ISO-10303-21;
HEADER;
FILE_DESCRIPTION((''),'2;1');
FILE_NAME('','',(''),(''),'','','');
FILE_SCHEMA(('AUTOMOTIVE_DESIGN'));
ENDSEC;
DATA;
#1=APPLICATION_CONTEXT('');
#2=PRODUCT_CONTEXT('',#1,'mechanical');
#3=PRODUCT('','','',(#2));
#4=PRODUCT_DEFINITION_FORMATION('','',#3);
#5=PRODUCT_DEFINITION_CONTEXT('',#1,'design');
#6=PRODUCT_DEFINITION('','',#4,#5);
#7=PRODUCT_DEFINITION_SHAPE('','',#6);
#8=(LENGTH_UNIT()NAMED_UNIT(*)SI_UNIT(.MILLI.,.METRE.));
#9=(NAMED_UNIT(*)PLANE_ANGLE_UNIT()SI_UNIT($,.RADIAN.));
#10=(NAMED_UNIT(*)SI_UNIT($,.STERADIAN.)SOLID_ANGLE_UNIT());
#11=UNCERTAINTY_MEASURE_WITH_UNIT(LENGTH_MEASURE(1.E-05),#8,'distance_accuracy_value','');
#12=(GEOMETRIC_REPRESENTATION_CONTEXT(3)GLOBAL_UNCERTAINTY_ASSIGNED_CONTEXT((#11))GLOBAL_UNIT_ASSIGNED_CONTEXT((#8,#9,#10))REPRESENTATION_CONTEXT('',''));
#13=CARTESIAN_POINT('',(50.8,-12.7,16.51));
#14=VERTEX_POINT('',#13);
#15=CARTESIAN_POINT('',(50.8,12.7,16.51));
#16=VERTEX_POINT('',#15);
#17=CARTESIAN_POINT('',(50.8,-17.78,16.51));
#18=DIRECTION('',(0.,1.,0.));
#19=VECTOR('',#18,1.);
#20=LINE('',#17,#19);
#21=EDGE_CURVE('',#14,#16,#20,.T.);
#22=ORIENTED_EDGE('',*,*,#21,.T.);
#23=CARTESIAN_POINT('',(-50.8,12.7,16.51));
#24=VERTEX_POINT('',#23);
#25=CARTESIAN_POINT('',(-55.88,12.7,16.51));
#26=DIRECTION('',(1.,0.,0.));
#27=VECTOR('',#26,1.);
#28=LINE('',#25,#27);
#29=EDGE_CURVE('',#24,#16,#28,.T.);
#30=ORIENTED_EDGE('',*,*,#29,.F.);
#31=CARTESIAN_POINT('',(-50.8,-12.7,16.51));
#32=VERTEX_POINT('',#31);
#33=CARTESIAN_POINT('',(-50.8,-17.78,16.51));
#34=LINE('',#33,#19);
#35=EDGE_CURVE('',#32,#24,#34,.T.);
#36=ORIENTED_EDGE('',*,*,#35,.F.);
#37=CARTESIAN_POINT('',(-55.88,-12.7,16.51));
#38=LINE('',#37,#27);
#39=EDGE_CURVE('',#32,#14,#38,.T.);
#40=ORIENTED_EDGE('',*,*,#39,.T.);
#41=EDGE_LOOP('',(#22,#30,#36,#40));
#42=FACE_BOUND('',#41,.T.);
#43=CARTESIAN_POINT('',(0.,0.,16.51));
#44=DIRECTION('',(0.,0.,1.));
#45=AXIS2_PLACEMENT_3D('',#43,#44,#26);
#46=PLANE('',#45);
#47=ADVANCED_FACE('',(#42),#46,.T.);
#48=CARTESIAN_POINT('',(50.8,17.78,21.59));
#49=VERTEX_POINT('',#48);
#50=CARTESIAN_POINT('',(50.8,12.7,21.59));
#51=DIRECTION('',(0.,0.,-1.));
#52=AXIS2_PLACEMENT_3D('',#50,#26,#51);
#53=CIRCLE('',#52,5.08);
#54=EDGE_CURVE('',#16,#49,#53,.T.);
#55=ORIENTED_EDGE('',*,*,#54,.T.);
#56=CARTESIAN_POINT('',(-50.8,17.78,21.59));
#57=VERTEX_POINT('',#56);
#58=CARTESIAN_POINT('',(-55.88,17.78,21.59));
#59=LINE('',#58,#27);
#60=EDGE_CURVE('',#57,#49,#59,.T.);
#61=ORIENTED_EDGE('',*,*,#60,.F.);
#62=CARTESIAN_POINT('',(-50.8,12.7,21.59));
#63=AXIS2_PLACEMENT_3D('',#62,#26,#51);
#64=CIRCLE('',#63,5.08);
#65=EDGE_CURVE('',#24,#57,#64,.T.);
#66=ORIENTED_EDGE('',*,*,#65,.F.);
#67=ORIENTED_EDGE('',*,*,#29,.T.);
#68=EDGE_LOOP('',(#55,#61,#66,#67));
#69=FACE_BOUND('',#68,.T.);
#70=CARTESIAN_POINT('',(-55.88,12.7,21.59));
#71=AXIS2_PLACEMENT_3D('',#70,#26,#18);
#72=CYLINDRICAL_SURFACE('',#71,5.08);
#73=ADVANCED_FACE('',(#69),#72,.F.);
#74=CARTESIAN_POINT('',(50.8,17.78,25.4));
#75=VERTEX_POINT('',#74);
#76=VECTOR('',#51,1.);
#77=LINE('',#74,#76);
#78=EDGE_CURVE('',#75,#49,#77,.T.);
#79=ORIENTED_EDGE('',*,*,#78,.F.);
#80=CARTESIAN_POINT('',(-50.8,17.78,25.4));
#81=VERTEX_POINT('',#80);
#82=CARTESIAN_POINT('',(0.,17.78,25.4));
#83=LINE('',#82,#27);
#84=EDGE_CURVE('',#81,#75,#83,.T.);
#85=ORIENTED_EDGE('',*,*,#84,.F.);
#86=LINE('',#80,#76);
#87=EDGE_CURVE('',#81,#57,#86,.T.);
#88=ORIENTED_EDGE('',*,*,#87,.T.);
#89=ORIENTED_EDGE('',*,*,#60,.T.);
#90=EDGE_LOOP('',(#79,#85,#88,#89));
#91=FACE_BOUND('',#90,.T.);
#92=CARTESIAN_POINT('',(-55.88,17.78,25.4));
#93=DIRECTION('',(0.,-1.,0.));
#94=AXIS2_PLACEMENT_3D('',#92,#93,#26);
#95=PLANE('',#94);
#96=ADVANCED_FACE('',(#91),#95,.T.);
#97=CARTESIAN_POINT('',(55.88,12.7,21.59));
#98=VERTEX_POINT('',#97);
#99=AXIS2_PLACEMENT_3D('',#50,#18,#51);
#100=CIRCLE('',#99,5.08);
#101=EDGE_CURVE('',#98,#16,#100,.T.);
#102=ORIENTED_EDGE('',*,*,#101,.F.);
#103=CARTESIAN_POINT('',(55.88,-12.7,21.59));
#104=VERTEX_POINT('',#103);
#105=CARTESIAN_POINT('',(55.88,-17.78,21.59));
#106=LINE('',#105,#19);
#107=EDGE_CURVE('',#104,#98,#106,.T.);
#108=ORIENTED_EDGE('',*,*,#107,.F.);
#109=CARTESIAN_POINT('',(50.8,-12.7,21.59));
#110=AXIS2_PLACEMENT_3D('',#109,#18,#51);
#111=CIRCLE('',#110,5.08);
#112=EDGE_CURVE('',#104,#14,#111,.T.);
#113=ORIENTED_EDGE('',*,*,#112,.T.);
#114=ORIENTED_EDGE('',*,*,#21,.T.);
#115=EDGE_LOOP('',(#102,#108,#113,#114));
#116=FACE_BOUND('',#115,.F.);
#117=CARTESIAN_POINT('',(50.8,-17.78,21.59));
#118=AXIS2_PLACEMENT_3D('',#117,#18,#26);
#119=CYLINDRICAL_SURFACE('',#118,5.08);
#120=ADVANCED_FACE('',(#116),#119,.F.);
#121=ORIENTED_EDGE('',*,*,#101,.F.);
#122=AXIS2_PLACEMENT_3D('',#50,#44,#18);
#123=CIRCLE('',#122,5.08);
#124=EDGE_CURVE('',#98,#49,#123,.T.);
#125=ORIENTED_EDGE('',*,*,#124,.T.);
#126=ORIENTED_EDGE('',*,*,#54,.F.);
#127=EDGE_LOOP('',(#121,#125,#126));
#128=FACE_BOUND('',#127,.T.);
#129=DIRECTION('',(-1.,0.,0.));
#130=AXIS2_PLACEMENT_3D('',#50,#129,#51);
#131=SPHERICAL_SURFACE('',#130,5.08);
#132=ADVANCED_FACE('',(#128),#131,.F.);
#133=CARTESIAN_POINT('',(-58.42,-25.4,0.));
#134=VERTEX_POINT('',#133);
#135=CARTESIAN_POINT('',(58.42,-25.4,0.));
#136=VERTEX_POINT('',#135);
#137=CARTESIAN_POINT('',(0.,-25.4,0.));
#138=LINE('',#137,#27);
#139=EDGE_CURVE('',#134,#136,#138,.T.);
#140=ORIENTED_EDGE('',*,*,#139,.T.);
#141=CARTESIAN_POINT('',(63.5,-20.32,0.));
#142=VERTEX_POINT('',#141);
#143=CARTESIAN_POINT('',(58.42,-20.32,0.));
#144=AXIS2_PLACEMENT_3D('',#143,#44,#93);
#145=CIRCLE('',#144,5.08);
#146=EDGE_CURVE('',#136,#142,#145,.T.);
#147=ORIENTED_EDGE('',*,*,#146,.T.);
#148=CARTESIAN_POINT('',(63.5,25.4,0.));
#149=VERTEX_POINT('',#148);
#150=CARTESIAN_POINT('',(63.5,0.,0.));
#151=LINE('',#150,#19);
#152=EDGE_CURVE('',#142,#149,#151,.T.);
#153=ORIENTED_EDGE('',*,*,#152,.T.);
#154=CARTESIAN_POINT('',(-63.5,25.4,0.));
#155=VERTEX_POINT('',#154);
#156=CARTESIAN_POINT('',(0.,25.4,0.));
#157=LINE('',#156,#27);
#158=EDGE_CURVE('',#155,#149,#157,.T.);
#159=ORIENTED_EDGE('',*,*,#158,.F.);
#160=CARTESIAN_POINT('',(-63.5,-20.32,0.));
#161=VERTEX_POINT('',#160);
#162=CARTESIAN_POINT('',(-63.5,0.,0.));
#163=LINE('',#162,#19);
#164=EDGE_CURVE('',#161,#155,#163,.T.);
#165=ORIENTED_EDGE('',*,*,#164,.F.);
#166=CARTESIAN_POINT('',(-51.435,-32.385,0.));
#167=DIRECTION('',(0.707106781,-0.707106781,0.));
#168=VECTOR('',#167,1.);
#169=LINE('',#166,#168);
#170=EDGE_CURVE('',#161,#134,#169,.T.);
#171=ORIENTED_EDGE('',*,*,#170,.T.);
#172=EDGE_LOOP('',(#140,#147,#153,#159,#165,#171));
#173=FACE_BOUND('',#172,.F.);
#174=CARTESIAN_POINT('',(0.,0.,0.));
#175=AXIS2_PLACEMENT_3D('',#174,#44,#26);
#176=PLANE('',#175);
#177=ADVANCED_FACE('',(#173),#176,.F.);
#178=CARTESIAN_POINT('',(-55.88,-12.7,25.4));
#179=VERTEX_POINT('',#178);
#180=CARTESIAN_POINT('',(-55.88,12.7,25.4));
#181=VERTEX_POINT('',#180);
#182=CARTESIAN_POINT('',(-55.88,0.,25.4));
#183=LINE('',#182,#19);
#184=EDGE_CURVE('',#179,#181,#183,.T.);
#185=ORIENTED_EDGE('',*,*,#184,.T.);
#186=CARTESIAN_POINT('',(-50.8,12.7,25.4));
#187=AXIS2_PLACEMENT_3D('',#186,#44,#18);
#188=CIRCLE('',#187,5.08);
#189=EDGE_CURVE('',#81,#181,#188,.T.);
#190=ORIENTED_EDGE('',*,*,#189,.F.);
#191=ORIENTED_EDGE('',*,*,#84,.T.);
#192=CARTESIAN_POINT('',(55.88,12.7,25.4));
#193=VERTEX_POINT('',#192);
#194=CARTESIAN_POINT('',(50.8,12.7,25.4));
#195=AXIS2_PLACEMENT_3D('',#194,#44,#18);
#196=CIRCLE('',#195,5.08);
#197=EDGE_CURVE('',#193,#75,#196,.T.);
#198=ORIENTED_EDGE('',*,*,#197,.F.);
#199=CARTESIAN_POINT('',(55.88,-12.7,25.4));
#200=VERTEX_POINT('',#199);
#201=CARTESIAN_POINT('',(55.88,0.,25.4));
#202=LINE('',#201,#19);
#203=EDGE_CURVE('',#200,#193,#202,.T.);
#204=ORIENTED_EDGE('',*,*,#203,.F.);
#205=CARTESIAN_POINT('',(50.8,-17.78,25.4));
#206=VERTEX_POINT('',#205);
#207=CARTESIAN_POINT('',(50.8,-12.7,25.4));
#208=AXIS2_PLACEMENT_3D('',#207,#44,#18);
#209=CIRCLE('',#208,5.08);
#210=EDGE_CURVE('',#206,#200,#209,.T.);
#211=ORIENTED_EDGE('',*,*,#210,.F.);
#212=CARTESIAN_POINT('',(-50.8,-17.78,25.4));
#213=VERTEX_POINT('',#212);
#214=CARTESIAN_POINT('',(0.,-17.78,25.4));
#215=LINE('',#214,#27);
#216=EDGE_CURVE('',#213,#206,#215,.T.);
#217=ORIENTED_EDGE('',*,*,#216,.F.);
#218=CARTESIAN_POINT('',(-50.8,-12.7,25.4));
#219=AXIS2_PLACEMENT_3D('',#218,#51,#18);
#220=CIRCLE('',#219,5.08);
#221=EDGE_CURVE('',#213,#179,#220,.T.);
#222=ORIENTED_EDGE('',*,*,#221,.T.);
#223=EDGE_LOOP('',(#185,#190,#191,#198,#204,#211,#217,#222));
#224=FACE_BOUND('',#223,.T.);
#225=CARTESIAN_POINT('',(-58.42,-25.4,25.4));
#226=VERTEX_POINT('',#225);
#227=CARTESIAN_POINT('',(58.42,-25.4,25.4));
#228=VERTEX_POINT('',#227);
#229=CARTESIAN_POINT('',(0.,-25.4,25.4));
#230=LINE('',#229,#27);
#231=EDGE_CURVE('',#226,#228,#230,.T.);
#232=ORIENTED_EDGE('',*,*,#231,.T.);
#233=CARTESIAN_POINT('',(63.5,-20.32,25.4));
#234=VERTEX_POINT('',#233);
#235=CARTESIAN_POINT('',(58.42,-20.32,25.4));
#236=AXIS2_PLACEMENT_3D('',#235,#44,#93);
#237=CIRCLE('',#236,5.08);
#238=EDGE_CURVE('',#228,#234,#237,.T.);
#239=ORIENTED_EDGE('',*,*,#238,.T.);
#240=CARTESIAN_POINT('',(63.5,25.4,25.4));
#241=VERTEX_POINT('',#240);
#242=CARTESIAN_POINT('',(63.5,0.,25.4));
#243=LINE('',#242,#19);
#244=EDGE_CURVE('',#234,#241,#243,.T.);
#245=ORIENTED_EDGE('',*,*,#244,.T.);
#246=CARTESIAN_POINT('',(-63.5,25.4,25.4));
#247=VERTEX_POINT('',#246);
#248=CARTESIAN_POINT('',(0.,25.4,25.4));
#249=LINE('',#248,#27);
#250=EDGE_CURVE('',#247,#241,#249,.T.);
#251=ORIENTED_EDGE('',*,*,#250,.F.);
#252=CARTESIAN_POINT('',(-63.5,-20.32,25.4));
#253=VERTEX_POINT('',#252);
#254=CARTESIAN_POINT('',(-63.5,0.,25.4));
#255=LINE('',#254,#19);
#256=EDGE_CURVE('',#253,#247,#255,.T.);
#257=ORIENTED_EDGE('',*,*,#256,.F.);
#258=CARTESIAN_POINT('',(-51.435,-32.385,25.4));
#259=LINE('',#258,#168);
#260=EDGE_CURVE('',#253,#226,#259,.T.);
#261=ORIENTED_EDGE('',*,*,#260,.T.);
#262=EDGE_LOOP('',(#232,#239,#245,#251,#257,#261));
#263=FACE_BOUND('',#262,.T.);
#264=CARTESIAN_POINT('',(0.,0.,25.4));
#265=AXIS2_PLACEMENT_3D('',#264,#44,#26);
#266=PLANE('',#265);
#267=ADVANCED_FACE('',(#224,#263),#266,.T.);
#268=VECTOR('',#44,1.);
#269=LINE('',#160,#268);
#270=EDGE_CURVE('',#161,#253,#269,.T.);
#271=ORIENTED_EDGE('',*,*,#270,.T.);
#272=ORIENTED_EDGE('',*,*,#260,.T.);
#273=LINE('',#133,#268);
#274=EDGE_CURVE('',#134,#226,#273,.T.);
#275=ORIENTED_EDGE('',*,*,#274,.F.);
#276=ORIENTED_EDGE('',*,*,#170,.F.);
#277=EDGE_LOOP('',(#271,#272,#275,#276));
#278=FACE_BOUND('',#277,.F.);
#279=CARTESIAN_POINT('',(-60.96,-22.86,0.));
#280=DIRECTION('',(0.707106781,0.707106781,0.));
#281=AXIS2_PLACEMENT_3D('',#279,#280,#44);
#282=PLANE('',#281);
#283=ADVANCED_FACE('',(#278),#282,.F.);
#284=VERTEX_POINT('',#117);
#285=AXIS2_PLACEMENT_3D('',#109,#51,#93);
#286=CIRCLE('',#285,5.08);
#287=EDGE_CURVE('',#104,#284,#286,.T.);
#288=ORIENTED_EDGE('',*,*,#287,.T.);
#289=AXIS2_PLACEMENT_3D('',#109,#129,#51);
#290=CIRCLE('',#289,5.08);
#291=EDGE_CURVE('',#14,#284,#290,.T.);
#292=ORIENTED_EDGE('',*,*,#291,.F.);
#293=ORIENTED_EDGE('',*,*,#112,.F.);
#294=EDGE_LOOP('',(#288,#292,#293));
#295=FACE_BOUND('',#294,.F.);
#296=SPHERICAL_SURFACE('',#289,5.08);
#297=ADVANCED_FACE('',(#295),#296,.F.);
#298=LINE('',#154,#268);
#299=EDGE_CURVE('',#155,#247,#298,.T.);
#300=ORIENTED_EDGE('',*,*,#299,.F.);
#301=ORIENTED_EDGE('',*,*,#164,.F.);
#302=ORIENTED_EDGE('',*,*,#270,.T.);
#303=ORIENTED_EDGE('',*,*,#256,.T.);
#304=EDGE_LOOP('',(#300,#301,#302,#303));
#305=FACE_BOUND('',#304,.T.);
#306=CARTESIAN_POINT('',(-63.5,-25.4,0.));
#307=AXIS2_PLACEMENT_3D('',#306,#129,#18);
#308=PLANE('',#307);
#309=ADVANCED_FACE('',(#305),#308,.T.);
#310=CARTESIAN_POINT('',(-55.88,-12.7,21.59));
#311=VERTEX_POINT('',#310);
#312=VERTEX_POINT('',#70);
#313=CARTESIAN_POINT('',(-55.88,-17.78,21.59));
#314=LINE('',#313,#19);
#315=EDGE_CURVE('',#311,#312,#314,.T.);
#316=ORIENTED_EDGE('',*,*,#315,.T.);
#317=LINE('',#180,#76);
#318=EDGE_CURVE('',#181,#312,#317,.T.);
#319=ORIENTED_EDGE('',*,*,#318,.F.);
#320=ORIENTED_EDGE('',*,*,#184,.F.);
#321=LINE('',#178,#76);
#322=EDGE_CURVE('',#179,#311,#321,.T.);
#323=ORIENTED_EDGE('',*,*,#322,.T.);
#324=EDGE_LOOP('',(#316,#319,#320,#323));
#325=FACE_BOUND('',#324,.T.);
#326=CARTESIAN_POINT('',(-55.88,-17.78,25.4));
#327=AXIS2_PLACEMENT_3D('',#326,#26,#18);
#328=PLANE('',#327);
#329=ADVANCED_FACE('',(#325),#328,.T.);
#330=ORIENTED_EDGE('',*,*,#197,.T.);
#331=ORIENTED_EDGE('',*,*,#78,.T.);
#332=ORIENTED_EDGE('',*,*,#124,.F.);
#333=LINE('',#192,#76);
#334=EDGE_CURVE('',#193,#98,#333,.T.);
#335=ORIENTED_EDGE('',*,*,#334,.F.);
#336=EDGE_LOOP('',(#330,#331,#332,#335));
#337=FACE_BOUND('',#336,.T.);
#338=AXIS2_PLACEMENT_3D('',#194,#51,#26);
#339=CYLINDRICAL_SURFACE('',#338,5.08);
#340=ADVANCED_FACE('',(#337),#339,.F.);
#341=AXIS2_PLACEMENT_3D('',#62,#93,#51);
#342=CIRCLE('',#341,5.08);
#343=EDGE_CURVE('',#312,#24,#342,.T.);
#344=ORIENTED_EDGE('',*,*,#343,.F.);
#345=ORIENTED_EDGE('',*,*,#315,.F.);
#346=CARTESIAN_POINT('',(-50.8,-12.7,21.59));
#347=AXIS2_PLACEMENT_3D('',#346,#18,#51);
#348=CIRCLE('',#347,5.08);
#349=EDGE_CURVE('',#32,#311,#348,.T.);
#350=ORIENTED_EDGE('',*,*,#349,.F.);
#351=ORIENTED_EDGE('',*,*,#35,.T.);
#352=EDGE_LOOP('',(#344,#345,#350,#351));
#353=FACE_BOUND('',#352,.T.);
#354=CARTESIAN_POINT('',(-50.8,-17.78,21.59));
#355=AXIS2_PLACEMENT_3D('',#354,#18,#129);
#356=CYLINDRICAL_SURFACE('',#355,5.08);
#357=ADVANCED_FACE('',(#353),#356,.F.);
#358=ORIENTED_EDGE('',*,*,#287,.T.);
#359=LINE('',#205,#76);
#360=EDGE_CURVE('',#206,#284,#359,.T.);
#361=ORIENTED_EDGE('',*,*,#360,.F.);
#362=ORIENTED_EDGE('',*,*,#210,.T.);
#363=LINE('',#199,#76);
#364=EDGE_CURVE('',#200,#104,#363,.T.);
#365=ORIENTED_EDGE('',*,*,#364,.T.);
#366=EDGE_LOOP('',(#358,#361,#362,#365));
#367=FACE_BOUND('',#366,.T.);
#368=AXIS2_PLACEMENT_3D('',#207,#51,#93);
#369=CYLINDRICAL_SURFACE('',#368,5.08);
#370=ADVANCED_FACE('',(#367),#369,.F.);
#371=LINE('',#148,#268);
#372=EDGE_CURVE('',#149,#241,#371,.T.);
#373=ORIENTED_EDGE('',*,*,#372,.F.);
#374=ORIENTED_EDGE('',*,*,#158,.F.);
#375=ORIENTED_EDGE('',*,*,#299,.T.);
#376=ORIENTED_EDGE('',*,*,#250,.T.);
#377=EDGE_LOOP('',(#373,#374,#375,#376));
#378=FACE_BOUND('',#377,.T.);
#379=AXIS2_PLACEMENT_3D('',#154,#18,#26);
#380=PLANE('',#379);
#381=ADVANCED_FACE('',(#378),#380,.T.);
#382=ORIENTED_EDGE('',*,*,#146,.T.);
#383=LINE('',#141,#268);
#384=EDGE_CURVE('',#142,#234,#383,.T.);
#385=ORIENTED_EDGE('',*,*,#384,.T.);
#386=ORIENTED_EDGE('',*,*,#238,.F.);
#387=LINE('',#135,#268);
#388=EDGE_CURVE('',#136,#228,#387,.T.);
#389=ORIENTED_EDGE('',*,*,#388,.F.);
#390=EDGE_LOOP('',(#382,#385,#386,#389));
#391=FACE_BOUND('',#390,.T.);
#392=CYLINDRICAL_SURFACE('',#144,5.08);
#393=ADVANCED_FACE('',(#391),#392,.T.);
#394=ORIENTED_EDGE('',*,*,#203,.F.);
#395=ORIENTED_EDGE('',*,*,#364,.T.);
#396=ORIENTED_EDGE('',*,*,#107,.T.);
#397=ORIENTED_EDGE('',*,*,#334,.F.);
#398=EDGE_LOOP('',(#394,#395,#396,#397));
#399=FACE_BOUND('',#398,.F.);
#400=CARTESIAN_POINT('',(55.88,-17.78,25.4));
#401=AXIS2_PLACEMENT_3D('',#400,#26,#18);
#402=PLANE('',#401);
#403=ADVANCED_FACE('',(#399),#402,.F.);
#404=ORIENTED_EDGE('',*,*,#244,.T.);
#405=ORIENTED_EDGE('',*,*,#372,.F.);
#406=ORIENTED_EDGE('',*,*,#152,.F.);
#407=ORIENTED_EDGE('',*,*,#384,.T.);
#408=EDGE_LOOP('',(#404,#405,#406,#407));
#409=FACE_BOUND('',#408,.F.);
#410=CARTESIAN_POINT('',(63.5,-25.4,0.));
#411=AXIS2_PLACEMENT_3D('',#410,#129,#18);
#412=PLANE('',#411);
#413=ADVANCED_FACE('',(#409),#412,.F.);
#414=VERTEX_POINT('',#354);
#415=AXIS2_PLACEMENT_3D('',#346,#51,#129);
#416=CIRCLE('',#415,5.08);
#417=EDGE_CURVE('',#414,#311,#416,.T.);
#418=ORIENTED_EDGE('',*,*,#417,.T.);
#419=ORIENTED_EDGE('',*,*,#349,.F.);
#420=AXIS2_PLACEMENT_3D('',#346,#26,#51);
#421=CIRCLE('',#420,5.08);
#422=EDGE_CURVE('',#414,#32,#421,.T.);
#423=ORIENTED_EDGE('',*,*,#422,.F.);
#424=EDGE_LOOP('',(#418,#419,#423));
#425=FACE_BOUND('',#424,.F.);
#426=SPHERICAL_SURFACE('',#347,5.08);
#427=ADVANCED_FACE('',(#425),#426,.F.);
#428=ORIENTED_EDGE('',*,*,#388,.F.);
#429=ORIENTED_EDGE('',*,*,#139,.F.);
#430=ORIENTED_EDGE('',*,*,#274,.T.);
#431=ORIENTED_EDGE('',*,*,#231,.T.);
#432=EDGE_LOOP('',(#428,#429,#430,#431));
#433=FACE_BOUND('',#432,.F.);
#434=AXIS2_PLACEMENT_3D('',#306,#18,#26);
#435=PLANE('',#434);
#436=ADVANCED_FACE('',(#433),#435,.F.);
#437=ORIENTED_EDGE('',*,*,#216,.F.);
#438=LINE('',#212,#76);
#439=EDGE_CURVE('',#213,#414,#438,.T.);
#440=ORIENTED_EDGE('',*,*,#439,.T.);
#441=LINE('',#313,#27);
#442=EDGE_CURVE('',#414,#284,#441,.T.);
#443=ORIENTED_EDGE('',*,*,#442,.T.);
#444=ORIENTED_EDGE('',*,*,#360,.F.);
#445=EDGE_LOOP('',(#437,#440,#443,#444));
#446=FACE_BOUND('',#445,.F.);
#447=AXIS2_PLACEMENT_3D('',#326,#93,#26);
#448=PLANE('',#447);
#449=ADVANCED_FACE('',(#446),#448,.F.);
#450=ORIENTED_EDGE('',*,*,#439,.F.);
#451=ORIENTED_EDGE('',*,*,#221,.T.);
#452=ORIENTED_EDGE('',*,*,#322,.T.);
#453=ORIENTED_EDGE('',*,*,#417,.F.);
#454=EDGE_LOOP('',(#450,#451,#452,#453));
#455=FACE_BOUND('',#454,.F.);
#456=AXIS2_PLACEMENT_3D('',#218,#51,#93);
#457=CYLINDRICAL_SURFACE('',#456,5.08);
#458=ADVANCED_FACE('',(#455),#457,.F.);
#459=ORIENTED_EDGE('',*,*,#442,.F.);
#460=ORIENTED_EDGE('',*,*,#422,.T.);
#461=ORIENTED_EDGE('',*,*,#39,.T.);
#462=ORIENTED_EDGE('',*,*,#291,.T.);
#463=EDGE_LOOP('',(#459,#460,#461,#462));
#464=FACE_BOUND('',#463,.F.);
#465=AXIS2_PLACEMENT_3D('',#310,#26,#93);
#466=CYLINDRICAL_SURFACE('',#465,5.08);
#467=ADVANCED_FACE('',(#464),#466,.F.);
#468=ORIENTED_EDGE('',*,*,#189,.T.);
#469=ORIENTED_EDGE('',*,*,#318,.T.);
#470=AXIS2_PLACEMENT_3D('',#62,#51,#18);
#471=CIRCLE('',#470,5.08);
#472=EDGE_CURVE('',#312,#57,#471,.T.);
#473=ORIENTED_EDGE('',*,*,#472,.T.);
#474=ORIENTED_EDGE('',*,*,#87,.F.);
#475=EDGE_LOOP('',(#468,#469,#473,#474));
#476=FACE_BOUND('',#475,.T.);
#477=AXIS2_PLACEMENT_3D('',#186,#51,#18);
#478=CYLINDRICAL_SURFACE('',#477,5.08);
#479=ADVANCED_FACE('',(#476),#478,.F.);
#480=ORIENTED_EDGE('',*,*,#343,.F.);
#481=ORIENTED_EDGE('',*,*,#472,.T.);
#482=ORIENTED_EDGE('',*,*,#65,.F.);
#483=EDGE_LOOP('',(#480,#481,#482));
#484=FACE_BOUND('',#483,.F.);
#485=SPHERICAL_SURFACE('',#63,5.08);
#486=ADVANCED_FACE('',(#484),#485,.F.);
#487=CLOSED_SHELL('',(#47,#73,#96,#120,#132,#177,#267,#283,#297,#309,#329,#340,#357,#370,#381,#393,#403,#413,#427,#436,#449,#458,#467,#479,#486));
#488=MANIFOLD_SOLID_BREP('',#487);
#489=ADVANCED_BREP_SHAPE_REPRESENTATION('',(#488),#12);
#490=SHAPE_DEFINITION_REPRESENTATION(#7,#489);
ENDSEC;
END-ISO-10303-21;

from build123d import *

# Parameters (mm, degrees)
F0_W     = 127
F0_H     = 50.8
F1_DEPTH = 25.4
F2_SIZE  = 5.08
F3_R     = 5.08
F4_W     = 111.76
F4_H     = 35.56
F5_DEPTH = 8.89
F6_R     = 5.08


with BuildPart() as f1:
    # F0 (on Top) → F1 (new body)
    with BuildSketch(Plane.XY):
        Rectangle(F0_W, F0_H)
    extrude(amount=F1_DEPTH)

    # F2
    f2_edges = [f1.edges().sort_by_distance(p)[0] for p in [
        (-63.5, -25.4, 12.7),
    ]]
    chamfer(f2_edges, length=F2_SIZE)

    # F3
    f3_edges = [f1.edges().sort_by_distance(p)[0] for p in [
        (63.5, -25.4, 12.7),
    ]]
    fillet(f3_edges, radius=F3_R)

    # F4 (on face) → F5 (cut)
    with BuildSketch(Plane.XY.offset(25.4)):
        Rectangle(F4_W, F4_H)
    extrude(amount=-F5_DEPTH, mode=Mode.SUBTRACT)

    # F6
    f6_edges = [f1.edges().sort_by_distance(p)[0] for p in [
        (0, 17.78, 16.51),
        (-55.88, 0, 16.51),
        (0, -17.78, 16.51),
        (55.88, 0, 16.51),
        (-55.88, 17.78, 20.955),
        (-55.88, -17.78, 20.955),
        (55.88, -17.78, 20.955),
        (55.88, 17.78, 20.955),
    ]]
    fillet(f6_edges, radius=F6_R)


solid = f1.part
